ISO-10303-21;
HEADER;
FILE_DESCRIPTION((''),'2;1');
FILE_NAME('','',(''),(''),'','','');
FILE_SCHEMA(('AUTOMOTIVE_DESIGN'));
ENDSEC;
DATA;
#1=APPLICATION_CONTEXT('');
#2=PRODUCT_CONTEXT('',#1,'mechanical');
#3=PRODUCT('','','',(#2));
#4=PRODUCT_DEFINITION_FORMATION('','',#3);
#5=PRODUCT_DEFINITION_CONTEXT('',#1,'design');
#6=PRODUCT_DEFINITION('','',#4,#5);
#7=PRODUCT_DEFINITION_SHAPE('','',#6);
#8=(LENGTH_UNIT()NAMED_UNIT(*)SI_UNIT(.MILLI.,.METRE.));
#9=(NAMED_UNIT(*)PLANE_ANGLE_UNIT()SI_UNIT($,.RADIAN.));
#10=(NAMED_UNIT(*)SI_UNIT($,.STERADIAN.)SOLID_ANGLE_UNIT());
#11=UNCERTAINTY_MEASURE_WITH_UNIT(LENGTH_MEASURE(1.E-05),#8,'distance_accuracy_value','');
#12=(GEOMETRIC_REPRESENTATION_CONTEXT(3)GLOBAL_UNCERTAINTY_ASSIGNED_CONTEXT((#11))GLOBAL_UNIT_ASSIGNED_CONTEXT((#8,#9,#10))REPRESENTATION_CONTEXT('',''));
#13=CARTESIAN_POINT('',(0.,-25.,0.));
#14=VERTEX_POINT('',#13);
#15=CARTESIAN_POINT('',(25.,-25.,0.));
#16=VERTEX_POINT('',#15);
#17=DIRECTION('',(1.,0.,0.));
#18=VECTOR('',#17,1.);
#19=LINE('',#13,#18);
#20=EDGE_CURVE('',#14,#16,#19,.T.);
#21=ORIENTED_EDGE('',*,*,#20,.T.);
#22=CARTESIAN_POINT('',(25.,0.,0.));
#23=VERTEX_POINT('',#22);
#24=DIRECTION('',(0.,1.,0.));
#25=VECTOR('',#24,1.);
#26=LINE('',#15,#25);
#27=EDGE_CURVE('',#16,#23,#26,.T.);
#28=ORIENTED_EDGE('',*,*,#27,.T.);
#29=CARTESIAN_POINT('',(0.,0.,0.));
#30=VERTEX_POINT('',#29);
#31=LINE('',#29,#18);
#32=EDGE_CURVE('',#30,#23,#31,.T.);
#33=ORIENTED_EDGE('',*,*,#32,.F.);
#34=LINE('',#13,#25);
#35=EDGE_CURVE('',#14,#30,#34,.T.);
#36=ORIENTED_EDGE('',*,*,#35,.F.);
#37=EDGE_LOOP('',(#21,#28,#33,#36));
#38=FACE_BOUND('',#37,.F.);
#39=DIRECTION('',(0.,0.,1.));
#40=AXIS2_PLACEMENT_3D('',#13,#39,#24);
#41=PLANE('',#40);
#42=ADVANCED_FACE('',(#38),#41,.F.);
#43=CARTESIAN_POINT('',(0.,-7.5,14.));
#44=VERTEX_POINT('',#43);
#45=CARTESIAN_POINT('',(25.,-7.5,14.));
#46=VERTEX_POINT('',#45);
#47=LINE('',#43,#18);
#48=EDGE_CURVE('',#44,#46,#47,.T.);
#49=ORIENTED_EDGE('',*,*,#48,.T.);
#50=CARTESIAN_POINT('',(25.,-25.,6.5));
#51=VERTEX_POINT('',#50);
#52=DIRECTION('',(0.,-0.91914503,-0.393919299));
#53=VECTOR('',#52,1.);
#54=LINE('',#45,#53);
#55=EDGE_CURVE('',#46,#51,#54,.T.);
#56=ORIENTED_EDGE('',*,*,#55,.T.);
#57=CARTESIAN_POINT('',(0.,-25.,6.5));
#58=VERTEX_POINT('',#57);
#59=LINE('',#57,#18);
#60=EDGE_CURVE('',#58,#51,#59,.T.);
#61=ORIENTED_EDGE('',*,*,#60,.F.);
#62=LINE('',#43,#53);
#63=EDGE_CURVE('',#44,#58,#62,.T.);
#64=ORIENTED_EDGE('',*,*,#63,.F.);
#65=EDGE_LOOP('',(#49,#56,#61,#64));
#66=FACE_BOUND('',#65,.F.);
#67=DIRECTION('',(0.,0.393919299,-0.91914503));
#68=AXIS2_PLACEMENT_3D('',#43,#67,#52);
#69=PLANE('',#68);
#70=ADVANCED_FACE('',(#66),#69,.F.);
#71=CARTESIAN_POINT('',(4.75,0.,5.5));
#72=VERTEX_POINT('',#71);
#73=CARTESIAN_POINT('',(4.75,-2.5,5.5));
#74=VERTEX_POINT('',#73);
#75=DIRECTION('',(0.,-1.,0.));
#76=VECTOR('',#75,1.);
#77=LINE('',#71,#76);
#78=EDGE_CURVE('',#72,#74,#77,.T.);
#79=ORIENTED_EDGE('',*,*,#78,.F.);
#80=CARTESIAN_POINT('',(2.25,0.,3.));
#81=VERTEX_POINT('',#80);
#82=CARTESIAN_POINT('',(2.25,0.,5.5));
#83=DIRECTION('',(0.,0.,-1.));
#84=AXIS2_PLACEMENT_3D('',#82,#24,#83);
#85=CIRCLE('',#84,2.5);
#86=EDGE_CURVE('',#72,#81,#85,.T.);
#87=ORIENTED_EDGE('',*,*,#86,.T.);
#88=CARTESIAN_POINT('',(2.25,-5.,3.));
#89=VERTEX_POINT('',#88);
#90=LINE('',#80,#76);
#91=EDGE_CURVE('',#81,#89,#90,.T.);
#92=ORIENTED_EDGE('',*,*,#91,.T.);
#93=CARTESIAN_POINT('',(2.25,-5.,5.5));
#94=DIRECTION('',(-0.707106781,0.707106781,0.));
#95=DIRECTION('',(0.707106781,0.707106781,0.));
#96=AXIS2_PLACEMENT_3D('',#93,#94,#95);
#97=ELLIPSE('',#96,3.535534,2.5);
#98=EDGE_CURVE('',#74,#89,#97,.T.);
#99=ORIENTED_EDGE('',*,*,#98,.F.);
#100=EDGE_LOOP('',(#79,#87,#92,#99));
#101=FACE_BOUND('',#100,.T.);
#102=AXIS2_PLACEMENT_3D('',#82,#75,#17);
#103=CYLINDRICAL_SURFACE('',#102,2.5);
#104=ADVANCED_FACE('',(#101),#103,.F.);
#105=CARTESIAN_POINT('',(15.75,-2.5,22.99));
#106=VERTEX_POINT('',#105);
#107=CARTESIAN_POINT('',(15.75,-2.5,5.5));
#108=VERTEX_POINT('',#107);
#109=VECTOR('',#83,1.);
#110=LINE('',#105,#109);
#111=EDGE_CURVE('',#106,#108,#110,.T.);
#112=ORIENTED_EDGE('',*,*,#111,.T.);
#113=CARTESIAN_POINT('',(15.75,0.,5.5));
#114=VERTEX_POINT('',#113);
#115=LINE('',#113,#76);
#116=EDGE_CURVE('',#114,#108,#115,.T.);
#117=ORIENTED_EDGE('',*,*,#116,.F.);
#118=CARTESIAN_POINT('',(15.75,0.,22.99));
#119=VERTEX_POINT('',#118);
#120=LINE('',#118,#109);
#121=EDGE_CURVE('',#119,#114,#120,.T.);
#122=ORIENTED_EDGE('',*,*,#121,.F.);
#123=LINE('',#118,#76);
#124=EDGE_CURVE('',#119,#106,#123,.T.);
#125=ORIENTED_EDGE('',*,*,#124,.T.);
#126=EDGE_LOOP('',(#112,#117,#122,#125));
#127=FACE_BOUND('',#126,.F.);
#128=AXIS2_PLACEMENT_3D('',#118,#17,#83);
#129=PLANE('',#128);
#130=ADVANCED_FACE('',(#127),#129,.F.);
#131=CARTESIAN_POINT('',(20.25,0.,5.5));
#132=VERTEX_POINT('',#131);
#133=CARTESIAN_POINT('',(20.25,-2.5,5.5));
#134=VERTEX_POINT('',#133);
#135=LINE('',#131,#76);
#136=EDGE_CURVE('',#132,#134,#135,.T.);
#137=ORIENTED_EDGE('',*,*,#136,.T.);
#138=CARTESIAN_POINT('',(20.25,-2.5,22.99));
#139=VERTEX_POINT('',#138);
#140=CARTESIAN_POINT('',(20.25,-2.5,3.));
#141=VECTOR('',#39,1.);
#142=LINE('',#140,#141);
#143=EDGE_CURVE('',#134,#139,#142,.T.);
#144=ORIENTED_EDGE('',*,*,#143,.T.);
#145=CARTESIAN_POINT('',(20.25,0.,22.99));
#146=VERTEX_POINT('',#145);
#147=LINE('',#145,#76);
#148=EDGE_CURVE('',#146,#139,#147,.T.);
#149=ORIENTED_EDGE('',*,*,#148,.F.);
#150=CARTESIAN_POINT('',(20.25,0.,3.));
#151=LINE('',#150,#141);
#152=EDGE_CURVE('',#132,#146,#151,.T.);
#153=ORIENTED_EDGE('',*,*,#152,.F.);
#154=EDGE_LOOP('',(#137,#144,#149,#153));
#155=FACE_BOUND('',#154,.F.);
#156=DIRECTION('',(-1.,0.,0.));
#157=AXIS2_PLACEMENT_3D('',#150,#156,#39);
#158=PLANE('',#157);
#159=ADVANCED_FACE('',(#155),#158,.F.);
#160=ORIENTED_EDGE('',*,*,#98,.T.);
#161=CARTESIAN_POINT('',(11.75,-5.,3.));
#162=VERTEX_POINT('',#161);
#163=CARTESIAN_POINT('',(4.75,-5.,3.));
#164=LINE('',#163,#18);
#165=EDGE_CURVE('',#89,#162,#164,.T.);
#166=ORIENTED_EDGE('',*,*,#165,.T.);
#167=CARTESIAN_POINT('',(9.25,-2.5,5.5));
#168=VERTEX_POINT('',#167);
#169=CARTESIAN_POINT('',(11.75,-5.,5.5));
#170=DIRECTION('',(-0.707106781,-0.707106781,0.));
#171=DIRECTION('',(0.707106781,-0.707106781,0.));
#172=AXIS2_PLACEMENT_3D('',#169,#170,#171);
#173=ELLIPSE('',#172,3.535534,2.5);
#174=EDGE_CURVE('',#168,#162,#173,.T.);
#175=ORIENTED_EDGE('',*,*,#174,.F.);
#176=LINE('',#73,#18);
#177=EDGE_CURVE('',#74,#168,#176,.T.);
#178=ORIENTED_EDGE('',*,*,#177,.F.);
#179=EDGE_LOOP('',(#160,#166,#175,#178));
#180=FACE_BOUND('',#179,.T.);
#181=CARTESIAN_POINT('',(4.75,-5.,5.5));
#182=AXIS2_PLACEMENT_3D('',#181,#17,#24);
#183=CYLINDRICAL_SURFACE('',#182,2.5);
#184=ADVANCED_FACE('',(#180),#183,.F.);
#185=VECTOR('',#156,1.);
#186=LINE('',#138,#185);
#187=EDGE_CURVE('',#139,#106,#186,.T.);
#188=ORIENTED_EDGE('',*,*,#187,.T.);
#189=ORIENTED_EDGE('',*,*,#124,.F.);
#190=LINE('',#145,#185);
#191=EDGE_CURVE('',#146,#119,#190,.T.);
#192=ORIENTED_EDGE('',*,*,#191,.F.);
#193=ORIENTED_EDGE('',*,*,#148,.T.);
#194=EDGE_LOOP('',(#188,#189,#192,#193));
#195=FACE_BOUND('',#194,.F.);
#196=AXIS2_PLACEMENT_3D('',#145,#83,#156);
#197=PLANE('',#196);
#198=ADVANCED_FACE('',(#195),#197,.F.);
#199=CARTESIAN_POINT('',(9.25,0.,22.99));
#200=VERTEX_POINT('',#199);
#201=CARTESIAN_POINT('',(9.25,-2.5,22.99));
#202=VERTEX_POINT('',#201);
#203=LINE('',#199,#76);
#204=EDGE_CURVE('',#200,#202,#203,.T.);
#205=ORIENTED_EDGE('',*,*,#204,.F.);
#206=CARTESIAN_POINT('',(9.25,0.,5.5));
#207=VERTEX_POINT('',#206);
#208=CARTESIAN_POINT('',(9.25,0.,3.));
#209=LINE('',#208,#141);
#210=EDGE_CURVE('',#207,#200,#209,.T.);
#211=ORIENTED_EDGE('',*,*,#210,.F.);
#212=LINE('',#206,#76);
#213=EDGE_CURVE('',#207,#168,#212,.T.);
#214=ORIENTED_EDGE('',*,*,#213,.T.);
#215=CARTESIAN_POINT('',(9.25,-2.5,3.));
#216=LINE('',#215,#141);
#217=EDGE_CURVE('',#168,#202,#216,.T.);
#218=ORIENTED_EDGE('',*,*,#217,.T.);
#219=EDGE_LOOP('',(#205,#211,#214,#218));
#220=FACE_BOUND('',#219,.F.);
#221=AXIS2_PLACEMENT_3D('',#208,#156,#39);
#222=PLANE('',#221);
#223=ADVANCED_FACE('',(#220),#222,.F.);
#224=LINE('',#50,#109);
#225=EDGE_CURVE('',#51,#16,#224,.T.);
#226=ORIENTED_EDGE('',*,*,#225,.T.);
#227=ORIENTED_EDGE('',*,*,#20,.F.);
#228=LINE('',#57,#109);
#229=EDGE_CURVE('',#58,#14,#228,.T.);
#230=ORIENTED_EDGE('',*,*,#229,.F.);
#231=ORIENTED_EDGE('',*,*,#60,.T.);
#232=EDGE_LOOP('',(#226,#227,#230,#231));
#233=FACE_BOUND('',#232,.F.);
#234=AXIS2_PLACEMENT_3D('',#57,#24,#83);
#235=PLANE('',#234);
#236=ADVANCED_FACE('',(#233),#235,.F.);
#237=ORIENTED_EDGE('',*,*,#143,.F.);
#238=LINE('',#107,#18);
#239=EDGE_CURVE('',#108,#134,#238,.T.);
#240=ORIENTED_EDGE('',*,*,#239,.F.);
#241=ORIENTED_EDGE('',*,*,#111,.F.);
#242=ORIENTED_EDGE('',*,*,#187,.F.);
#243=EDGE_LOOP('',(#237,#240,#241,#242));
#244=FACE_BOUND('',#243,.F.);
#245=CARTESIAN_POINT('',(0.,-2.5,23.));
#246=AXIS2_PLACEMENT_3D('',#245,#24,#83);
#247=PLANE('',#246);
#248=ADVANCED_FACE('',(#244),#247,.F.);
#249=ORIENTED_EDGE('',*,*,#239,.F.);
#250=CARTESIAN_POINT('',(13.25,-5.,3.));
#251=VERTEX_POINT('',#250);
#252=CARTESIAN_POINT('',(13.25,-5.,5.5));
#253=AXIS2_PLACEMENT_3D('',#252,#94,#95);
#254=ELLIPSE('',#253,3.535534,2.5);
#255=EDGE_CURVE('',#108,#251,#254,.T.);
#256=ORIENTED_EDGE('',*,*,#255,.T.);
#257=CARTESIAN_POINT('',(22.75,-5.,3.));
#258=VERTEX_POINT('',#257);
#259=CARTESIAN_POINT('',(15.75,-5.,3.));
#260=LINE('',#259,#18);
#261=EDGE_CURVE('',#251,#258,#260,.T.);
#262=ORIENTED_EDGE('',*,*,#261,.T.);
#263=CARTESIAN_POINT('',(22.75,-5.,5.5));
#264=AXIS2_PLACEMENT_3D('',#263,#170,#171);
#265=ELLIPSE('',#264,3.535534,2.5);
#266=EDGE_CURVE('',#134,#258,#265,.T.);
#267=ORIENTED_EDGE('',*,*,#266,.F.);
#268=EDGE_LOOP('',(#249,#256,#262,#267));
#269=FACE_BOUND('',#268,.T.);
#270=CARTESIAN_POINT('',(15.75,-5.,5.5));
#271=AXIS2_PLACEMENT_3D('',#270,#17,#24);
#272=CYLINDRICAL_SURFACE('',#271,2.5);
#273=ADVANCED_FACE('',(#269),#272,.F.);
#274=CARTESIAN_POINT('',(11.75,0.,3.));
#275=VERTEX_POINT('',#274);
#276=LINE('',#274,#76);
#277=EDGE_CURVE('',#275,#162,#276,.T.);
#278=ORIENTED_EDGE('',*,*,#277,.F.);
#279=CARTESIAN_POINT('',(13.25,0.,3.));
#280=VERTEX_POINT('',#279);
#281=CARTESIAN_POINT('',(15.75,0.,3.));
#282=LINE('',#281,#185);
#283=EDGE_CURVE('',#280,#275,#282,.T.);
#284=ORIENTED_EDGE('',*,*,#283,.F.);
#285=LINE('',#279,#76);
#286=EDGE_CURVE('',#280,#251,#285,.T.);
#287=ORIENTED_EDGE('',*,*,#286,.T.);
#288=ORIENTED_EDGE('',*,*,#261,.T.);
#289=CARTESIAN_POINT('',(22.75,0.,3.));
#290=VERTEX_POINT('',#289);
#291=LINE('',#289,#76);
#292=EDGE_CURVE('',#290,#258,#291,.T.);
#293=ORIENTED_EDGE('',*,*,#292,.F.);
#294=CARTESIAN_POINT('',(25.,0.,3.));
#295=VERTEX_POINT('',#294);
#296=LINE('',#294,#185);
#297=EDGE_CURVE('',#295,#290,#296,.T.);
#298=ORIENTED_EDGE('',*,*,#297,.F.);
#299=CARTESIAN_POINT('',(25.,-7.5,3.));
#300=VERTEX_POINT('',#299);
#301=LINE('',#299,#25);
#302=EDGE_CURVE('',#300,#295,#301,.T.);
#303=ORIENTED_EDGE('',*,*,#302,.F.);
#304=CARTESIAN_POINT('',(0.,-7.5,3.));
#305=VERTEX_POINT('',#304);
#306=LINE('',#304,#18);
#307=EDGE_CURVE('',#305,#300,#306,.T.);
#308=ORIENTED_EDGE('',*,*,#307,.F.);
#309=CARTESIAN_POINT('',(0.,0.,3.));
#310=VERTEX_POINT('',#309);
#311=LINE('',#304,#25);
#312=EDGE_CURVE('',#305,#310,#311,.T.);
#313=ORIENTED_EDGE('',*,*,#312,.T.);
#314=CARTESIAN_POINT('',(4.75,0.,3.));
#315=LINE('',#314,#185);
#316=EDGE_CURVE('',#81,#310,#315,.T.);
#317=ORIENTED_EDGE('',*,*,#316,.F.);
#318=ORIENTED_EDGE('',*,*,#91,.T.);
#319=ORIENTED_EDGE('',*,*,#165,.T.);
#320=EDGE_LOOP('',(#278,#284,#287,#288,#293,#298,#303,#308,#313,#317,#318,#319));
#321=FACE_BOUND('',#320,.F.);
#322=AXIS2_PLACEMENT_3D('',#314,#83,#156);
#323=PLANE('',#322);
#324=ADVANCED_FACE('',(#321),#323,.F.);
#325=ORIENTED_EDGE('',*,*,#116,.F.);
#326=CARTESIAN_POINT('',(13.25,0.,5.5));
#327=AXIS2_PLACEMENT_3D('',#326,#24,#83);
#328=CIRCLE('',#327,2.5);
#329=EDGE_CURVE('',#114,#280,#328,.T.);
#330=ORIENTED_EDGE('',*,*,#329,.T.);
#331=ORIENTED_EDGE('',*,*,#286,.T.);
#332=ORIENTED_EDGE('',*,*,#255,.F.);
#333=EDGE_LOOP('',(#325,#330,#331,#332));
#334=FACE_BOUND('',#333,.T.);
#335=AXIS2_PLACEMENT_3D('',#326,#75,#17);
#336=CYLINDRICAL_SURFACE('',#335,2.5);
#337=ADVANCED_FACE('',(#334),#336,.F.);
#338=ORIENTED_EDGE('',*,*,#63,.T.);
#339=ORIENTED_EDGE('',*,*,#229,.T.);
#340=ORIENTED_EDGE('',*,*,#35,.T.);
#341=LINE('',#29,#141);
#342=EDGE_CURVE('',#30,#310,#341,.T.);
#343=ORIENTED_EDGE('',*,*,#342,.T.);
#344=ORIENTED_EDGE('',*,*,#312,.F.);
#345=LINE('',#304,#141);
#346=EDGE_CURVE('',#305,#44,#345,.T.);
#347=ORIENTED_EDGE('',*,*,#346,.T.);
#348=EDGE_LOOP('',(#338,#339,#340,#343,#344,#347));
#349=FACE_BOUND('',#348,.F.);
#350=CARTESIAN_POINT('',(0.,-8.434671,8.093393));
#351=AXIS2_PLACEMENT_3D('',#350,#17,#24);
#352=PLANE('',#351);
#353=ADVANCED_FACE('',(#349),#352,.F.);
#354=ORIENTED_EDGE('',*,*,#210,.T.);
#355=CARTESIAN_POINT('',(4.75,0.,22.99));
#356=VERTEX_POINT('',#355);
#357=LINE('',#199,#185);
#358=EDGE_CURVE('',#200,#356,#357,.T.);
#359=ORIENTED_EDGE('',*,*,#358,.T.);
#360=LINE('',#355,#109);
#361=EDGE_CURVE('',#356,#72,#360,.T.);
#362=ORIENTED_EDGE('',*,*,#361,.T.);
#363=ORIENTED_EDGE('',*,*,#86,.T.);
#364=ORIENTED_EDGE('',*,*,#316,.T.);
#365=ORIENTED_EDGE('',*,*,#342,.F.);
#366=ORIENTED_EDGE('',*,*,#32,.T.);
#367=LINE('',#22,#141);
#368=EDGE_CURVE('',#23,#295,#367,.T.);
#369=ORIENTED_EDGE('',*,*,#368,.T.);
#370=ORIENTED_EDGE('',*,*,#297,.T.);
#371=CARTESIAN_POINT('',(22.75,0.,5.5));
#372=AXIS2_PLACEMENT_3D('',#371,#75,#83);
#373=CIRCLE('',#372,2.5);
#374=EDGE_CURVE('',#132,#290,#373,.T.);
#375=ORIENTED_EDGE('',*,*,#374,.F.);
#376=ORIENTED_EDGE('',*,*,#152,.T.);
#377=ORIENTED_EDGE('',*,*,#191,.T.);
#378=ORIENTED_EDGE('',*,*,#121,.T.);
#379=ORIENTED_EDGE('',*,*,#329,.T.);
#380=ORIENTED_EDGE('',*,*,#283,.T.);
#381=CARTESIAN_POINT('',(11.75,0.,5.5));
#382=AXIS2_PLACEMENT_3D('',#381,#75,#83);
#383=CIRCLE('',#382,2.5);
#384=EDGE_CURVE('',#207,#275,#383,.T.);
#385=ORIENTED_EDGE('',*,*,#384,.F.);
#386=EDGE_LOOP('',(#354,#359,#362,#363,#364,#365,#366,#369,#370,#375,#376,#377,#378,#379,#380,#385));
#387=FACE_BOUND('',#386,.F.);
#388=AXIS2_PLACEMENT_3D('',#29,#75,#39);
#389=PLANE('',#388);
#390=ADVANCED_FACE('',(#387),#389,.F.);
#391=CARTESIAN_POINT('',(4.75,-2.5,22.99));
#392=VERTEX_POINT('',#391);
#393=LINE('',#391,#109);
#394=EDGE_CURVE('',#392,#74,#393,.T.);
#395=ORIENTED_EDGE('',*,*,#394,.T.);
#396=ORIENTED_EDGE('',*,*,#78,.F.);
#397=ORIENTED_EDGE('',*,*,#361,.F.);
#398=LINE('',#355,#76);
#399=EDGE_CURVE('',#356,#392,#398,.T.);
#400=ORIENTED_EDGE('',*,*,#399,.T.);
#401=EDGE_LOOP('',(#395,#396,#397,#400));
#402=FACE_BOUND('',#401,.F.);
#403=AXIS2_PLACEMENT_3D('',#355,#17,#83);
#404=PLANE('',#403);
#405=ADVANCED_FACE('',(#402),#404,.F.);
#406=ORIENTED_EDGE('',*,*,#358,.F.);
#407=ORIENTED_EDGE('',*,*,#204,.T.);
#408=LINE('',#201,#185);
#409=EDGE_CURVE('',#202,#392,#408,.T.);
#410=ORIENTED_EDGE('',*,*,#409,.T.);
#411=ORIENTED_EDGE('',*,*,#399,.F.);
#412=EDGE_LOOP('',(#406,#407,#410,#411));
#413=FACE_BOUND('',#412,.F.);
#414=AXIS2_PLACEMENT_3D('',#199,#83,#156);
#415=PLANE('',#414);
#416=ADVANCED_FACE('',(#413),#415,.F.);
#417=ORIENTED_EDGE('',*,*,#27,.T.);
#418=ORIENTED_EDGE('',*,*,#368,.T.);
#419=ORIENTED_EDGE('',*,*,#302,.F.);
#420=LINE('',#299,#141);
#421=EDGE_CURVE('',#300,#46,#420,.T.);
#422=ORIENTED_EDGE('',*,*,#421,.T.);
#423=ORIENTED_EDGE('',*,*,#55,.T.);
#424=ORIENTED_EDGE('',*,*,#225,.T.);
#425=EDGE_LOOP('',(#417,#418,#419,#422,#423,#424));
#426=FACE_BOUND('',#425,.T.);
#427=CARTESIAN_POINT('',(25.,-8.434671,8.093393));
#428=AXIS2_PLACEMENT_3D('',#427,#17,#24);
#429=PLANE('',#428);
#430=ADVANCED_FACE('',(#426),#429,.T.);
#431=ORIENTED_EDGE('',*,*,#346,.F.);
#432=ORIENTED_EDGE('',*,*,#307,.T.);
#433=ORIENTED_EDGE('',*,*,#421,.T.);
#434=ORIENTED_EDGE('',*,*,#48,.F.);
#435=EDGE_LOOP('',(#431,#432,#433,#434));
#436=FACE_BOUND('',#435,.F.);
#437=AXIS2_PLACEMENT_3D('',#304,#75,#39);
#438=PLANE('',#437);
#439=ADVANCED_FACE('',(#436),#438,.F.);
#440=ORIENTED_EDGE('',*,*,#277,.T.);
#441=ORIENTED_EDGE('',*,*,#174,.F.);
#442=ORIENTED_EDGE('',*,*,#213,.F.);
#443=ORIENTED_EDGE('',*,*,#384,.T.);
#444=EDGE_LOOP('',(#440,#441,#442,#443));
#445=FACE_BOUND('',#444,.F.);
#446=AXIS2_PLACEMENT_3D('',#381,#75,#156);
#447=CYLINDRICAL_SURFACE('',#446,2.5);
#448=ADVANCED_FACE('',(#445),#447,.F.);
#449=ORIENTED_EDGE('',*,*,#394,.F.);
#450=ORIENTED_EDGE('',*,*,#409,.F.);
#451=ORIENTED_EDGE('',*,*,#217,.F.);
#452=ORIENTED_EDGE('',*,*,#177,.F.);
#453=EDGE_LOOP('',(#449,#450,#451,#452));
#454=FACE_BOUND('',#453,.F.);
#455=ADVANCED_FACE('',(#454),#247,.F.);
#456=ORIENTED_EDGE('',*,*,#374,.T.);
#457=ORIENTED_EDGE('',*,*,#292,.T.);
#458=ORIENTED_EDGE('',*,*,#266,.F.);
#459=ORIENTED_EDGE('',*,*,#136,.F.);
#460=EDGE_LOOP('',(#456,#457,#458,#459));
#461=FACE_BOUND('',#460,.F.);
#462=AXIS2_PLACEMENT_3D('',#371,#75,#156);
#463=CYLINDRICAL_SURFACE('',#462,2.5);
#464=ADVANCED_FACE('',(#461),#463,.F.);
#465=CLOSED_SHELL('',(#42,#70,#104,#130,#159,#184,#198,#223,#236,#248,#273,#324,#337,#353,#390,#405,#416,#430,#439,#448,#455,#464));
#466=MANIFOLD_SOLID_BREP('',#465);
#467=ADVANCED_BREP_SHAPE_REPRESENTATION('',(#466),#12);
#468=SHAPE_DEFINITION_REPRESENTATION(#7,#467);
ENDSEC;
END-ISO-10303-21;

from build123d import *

# Parameters (mm, degrees)
F1_DEPTH = 25
F3_DEPTH = 2.5
F4_R     = 2.5


with BuildPart() as f1:
    # F0 (on Right) → F1 (new body)
    with BuildSketch(Plane.YZ):
        Polygon((0, 0), (0, 23), (-2.5, 23), (-2.5, 3), (-7.5, 3), (-7.5, 14), (-25, 6.5), (-25, 0), align=None)
    extrude(amount=F1_DEPTH)

    # F2 (on face) → F3 (cut, through all)
    with BuildSketch(Plane(origin=(0, 0, 0), x_dir=(-1, 0, 0), z_dir=(0, 1, 0))):
        Polygon((-25, 23), (-25, 3), (-20.25, 3), (-20.25, 22.99), (-15.75, 22.99), (-15.75, 3), (-12.5, 3), (-9.25, 3), (-9.25, 22.99), (-4.75, 22.99), (-4.75, 3), (0, 3), (0, 23), align=None)
    extrude(amount=-F3_DEPTH, mode=Mode.SUBTRACT)

    # F4
    f4_edges = [f1.edges().sort_by_distance(p)[0] for p in [
        (20.25, -1.25, 3),
        (18, -2.5, 3),
        (7, -2.5, 3),
        (9.25, -1.25, 3),
        (15.75, -1.25, 3),
        (4.75, -1.25, 3),
    ]]
    fillet(f4_edges, radius=F4_R)


solid = f1.part
